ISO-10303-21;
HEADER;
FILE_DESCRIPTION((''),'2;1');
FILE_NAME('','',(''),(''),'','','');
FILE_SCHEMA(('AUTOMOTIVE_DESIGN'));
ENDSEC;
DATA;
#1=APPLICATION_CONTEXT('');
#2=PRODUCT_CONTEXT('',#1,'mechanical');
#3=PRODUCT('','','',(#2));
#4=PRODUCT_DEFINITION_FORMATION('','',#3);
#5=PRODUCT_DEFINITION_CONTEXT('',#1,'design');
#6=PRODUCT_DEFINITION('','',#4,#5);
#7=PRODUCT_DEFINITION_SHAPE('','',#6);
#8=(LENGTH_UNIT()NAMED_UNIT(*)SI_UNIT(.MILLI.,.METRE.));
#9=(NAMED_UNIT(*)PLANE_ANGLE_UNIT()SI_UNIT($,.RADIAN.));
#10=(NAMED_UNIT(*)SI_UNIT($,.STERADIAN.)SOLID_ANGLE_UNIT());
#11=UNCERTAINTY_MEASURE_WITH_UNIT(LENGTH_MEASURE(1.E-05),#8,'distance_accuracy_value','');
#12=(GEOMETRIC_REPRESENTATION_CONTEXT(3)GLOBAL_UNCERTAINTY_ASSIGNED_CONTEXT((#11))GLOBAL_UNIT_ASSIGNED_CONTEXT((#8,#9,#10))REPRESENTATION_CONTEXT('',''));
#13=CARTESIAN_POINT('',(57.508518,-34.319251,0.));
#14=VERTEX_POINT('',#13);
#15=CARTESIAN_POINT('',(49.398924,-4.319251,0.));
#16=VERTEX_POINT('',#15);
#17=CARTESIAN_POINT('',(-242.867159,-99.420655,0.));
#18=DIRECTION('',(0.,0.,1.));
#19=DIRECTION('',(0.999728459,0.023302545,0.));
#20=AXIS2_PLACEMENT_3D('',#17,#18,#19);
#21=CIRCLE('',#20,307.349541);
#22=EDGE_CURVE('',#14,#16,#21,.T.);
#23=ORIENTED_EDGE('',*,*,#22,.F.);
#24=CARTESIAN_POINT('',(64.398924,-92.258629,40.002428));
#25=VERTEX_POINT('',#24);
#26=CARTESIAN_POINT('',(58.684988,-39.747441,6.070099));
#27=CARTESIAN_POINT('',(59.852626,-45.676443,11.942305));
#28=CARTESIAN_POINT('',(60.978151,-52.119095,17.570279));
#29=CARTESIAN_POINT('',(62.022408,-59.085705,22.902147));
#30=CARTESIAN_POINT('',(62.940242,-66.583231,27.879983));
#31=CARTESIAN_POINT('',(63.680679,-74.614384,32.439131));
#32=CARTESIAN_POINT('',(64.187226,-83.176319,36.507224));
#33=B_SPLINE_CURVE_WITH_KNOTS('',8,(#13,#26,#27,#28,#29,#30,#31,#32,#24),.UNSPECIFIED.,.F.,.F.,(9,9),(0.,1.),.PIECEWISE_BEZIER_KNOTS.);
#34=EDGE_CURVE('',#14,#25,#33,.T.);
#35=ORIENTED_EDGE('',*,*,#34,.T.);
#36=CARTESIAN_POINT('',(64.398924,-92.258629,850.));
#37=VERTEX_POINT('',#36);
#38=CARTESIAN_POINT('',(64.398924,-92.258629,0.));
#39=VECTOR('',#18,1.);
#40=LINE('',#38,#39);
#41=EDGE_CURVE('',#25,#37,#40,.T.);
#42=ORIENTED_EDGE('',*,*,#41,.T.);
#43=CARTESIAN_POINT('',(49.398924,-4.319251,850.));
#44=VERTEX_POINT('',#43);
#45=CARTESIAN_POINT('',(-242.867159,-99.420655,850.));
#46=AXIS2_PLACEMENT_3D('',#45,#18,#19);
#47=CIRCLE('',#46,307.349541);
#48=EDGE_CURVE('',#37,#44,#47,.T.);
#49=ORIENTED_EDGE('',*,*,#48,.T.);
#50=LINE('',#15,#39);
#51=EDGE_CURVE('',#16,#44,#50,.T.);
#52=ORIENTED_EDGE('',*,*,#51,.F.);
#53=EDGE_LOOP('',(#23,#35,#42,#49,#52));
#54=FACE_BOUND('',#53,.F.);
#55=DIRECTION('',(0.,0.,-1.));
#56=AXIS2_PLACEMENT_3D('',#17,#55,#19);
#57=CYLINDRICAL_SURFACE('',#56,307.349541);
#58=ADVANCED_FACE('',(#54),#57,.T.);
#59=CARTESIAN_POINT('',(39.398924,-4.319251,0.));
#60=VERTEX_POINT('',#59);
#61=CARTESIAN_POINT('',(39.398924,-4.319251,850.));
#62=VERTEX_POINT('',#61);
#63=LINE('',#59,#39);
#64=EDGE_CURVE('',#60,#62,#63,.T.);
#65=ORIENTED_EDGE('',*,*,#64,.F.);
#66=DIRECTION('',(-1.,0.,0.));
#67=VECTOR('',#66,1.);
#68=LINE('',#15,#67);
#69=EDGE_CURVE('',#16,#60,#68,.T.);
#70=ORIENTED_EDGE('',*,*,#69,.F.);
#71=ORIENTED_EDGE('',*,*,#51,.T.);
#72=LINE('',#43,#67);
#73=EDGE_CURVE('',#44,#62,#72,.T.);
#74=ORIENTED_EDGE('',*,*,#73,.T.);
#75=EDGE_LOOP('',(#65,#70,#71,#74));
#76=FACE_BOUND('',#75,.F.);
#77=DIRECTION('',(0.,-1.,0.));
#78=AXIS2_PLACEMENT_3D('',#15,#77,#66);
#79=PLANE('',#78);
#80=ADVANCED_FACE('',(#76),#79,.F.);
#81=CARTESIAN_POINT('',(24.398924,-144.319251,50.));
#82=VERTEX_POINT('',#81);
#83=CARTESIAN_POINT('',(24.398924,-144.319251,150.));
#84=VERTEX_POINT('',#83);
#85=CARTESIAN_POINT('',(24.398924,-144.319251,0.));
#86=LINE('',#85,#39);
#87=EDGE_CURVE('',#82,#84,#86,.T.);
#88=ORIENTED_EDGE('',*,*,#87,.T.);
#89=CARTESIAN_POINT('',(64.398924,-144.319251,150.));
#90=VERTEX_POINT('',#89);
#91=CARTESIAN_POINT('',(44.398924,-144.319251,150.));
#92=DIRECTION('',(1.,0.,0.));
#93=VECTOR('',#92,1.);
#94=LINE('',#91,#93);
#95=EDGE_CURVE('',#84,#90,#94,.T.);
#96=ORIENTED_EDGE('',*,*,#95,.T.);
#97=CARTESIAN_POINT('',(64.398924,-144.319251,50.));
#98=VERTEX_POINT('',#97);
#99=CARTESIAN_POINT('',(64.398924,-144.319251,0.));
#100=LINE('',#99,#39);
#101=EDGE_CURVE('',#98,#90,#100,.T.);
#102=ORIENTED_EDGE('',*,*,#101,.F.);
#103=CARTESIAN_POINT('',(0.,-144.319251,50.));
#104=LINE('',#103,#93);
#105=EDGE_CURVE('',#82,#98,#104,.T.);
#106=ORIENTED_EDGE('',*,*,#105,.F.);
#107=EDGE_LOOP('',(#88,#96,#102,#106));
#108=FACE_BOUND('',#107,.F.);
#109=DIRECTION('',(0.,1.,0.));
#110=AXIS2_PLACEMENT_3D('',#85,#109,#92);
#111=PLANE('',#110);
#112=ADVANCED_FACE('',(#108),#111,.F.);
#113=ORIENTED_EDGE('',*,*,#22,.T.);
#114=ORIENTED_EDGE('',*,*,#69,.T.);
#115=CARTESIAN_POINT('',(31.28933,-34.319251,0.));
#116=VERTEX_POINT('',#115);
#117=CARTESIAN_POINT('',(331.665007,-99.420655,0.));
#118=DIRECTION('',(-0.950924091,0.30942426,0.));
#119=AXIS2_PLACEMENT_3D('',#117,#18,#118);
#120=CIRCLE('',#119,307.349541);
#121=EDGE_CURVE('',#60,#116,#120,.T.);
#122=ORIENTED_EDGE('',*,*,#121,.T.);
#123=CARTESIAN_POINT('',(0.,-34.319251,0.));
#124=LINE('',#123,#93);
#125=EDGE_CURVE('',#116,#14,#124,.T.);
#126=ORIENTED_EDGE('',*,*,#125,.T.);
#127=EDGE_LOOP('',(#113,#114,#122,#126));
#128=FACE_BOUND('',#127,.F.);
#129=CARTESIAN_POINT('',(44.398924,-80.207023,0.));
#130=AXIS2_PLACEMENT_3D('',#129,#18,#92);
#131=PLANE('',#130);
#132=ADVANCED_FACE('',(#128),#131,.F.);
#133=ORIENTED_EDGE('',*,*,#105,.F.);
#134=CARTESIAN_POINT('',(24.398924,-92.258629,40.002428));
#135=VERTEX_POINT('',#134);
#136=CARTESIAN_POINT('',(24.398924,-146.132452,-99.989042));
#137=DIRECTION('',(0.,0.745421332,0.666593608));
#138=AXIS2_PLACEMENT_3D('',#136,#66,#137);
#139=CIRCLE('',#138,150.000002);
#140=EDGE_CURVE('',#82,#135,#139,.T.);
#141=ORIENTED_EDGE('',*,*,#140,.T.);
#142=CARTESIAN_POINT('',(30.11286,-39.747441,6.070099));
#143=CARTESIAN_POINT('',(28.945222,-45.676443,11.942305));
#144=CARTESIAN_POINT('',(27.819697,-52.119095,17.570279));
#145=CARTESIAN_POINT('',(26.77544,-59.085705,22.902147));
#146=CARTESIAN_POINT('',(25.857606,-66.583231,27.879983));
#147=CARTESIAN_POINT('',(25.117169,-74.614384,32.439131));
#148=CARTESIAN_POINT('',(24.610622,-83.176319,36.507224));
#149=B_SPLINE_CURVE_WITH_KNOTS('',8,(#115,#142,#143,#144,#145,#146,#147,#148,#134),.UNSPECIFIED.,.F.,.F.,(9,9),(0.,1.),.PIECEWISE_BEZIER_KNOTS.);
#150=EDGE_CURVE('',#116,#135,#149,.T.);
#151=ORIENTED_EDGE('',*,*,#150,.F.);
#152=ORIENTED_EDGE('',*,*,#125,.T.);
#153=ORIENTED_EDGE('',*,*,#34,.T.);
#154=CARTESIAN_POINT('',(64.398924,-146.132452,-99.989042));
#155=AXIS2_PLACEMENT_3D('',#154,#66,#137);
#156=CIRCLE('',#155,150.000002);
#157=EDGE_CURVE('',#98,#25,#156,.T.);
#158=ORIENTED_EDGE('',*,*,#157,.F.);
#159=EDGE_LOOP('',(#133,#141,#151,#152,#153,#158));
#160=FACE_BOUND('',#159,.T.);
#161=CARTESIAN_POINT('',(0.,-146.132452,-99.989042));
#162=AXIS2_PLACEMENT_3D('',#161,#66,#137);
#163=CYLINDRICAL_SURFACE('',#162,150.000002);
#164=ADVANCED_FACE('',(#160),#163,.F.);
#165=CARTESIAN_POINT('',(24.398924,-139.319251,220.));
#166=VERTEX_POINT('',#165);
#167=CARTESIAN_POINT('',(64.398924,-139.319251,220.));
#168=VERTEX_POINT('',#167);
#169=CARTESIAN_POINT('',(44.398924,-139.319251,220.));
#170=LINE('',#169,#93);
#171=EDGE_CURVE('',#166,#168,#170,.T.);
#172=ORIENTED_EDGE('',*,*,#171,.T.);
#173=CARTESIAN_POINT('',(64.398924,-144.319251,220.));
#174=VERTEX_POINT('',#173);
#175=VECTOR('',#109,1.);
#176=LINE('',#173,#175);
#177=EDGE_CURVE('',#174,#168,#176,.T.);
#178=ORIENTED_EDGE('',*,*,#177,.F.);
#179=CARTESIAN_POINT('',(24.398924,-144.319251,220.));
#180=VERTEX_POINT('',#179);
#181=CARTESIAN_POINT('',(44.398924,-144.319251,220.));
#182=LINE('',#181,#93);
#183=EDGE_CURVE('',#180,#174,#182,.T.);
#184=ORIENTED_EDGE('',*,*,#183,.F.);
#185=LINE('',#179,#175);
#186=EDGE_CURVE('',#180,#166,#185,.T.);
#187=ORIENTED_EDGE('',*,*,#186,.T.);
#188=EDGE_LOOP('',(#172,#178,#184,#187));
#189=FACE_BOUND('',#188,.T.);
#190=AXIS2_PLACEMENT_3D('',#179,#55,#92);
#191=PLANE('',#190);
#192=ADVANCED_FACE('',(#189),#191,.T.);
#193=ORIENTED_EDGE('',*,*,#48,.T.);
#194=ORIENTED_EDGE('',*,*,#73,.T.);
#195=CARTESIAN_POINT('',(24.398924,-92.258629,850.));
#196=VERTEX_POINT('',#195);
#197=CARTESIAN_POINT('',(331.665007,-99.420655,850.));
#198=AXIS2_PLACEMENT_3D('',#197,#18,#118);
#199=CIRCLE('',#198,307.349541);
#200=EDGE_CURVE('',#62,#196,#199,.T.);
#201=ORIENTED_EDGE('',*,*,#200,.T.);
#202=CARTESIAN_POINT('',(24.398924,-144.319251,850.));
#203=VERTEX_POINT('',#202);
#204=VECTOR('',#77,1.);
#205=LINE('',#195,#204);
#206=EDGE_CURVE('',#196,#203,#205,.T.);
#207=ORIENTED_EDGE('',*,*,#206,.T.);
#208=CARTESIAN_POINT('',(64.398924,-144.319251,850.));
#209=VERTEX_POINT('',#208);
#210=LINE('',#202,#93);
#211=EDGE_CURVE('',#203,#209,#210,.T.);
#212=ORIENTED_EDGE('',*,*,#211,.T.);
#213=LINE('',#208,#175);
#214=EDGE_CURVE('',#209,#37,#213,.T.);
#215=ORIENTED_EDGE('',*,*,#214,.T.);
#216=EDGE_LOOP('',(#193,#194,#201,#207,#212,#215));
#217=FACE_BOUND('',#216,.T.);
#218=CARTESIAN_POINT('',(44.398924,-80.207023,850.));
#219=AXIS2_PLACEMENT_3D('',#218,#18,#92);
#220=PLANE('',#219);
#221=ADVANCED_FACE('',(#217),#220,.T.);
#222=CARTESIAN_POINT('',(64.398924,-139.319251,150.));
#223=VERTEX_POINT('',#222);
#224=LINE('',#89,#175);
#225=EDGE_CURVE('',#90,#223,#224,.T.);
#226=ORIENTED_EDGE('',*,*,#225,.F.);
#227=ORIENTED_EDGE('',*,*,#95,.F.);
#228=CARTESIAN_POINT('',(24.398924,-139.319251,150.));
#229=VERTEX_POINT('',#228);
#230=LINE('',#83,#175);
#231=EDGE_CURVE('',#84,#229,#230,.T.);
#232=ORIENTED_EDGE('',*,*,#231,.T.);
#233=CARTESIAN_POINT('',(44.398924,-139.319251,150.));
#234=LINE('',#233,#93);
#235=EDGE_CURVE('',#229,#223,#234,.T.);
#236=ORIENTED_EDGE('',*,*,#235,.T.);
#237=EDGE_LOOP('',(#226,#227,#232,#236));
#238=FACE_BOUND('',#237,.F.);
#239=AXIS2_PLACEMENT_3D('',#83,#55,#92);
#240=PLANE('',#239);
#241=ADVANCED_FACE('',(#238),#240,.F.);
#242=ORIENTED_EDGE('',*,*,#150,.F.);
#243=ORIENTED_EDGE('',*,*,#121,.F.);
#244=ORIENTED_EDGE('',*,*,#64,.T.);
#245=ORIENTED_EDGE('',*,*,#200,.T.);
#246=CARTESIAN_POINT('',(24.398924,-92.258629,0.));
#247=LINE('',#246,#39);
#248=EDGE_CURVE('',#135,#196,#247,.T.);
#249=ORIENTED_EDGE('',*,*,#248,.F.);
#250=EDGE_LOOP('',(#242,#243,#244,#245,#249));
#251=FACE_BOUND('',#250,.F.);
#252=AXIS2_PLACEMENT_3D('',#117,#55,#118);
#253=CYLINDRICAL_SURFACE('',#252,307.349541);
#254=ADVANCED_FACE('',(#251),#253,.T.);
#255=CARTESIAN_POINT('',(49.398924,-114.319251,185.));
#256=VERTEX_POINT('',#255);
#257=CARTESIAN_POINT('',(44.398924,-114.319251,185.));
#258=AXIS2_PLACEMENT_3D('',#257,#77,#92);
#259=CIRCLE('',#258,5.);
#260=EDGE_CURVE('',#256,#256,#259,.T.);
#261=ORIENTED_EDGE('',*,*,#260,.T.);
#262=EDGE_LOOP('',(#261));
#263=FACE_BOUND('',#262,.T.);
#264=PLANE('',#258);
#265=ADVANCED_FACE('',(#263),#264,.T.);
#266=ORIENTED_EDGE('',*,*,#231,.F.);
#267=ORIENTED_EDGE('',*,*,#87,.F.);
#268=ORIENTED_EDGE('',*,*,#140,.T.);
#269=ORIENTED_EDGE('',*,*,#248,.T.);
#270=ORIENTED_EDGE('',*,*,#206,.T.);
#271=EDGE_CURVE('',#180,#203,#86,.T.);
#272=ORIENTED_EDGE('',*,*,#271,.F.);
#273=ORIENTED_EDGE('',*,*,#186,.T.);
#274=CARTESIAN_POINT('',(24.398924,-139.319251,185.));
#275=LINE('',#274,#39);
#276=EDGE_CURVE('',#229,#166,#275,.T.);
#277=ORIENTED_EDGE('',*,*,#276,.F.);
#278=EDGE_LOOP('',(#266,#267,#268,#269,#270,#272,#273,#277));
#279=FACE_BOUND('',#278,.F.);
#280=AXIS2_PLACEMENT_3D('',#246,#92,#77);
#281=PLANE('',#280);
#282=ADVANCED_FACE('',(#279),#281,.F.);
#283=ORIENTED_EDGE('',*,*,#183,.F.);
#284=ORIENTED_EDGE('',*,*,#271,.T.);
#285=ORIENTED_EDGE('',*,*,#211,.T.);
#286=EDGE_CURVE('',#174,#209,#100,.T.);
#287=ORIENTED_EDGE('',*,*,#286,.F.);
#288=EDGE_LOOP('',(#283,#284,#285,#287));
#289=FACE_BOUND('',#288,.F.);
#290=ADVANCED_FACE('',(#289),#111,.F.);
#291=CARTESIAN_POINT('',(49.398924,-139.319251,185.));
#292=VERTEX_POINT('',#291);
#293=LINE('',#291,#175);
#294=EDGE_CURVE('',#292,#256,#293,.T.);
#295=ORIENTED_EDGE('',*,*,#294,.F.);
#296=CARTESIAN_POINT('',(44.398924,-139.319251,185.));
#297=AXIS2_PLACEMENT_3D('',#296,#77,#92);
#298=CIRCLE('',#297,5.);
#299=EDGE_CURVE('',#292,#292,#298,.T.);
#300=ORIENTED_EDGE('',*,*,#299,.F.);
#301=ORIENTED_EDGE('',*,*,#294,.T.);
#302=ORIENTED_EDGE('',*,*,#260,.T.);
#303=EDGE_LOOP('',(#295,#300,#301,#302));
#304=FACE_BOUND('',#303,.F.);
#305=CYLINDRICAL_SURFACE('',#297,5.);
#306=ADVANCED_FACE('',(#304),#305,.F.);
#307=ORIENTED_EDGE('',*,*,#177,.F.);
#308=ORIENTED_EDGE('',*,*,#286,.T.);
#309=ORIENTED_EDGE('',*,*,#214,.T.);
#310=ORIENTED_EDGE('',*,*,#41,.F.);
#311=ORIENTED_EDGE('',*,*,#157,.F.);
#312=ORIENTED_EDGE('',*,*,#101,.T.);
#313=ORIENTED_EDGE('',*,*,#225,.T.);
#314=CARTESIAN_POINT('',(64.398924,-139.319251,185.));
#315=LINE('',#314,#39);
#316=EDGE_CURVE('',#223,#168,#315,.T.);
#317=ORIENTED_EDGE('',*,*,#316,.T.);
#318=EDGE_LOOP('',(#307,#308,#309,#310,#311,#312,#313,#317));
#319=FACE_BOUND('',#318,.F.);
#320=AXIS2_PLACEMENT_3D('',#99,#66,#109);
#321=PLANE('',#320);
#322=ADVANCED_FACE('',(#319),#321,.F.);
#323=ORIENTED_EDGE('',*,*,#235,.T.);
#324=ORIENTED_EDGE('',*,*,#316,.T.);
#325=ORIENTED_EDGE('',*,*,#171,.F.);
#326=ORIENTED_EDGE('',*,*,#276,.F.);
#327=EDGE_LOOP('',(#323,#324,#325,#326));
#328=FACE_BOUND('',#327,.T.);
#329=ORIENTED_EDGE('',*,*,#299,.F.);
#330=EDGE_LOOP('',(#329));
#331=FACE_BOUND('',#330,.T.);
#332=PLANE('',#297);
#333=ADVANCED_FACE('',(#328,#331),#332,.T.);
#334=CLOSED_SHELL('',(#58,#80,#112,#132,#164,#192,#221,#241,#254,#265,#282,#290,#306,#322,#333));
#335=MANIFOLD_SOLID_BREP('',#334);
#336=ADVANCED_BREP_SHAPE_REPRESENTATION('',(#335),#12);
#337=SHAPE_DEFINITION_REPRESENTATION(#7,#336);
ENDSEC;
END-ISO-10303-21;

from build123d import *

# Parameters (mm, degrees)
F1_DEPTH = 850
F2_W     = 40
F2_H     = 70
F3_DEPTH = 5
F4_R     = 5
F5_DEPTH = 25
F7_DEPTH = 150


with BuildPart() as f1:
    # F0 (on Top) → F1 (new body)
    with BuildSketch(Plane.XY):
        with BuildLine():
            Line((49.398924, -4.319251), (39.398924, -4.319251))
            ThreePointArc((39.398924, -4.319251), (28.691348, -47.741817), (24.398924, -92.258629))
            Line((24.398924, -92.258629), (24.398924, -106.582679))
            Line((24.398924, -106.582679), (24.398924, -144.319251))
            Line((24.398924, -144.319251), (64.398924, -144.319251))
            Line((64.398924, -144.319251), (64.398924, -106.582679))
            Line((64.398924, -106.582679), (64.398924, -92.258629))
            ThreePointArc((64.398924, -92.258629), (60.1065, -47.741817), (49.398924, -4.319251))
        make_face()
    extrude(amount=F1_DEPTH)

    # F2 (on face) → F3 (cut)
    with BuildSketch(Plane.XZ.offset(144.319251)):
        with Locations((44.398924, 185)):
            Rectangle(F2_W, F2_H)
    extrude(amount=-F3_DEPTH, mode=Mode.SUBTRACT)

    # F4 (on face) → F5 (cut)
    with BuildSketch(Plane.XZ.offset(139.319251)):
        with Locations((44.398924, 185)):
            Circle(F4_R)
    extrude(amount=-F5_DEPTH, mode=Mode.SUBTRACT)

    # F6 (on Right) → F7 (cut)
    with BuildSketch(Plane.YZ):
        with BuildLine():
            Line((-144.319251, 0), (-34.319251, 0))
            ThreePointArc((-34.319251, 0), (-84.06201, 36.565931), (-144.319251, 50))
            Line((-144.319251, 50), (-144.319251, 0))
        make_face()
    extrude(amount=F7_DEPTH, mode=Mode.SUBTRACT)


solid = f1.part
